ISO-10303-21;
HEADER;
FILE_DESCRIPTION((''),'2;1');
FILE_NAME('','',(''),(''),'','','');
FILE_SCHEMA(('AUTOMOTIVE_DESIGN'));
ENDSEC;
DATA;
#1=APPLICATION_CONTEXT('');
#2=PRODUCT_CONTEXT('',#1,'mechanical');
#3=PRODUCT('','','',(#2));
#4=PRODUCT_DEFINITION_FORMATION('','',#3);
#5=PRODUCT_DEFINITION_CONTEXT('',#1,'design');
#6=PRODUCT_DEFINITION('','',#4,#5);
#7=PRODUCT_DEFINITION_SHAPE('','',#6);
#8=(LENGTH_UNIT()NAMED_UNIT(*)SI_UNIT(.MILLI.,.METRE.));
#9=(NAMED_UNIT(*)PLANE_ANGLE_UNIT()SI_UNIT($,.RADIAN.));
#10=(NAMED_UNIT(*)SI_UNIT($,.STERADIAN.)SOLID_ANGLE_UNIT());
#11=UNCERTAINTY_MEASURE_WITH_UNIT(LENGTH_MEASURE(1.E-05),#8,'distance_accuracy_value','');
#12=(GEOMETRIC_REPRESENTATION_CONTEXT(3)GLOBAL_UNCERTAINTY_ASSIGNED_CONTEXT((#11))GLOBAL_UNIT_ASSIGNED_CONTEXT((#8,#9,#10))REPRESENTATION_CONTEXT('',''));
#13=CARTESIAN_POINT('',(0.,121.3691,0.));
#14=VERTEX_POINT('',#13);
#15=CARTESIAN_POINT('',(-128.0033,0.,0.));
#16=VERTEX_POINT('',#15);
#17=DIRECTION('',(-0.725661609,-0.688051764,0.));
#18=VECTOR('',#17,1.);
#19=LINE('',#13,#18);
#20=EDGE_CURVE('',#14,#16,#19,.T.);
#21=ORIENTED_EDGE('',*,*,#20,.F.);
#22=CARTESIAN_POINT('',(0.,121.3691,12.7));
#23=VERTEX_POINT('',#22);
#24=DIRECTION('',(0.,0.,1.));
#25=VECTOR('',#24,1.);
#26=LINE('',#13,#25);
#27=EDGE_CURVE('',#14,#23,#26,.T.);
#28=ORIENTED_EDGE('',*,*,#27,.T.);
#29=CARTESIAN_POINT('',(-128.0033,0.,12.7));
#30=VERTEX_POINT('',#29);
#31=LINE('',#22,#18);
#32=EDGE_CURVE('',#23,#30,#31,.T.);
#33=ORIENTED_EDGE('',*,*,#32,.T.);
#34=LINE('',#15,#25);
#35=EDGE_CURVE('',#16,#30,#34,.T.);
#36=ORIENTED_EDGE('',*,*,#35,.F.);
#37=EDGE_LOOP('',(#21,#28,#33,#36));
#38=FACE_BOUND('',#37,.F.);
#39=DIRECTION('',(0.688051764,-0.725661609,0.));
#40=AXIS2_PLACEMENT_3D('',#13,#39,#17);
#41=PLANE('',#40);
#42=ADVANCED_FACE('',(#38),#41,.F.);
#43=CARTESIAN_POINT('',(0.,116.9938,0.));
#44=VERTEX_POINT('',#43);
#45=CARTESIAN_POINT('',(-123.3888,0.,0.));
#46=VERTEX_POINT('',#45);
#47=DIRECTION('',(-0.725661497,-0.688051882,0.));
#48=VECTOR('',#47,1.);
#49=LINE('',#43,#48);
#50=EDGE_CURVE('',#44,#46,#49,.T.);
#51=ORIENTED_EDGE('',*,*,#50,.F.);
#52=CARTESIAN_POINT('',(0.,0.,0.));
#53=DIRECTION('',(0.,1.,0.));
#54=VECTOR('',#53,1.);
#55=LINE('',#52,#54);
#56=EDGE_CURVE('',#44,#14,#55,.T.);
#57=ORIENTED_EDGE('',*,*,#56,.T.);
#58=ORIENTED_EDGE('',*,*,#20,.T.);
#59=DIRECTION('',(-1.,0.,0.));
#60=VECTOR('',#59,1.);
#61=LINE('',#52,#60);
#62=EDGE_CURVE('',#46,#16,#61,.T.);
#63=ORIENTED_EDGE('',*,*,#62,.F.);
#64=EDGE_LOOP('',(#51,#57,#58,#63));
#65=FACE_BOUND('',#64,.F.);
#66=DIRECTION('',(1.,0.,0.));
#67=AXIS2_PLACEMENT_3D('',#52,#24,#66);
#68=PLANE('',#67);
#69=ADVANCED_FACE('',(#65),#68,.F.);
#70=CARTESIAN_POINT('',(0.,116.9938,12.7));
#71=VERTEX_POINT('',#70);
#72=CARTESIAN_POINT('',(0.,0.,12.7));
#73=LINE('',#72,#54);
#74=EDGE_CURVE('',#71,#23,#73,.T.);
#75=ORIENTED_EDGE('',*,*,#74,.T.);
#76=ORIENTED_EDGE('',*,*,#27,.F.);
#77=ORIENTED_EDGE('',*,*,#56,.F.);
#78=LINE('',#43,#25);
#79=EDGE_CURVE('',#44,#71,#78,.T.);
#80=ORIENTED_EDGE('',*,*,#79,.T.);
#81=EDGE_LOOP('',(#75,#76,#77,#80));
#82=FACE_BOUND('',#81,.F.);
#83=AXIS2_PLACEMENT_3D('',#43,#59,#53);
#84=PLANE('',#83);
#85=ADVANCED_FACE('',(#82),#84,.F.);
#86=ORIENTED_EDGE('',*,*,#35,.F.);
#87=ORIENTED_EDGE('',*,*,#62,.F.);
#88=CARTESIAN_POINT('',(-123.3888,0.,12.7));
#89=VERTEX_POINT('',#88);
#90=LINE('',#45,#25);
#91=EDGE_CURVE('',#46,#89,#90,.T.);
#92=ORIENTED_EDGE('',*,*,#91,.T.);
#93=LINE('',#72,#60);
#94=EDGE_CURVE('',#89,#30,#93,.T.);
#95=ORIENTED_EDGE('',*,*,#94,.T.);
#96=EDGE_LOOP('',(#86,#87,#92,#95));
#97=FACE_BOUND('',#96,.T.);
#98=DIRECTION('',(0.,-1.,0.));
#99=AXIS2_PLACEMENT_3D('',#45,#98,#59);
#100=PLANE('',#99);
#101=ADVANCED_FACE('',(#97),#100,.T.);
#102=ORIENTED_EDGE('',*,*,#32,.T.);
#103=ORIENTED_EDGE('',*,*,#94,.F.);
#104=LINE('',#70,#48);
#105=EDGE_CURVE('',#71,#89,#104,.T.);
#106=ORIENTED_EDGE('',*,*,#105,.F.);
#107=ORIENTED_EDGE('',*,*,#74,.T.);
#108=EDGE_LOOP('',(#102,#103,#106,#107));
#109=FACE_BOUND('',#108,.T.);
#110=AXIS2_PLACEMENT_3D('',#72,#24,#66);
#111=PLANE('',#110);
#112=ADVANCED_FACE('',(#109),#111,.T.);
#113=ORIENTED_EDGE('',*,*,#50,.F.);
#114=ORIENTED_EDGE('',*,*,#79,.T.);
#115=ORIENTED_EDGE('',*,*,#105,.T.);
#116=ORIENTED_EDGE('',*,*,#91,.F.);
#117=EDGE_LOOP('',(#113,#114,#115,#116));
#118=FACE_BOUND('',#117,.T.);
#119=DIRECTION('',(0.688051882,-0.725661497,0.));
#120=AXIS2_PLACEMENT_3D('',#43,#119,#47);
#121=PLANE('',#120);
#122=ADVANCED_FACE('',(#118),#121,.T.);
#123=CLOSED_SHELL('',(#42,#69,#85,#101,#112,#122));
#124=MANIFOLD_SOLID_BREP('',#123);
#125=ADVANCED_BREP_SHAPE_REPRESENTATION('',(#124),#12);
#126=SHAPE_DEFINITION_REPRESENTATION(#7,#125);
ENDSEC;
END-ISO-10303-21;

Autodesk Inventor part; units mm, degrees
ref_plane "YZ Plane" through (0, 0, 0) normal (1, 0, 0) x (0, 1, 0)
ref_plane "XZ Plane" through (0, 0, 0) normal (0, 1, 0) x (-1, 0, 0)
ref_plane "XY Plane" through (0, 0, 0) normal (0, 0, 1) x (1, 0, 0)
ref_plane "Work Plane1" through (0, 0, 0) normal (0, 0, 1) x (1, 0, 0)
sketch "Sketch1" plane through (0, 0, 0) normal (0, 0, 1) x (1, 0, 0)
  line L0 (0, 0) -> (0, 184.8691) projected
  line L1 (0, 184.8691) -> (-256.0066, 184.8691) projected
  line L2 (-256.0066, 0) -> (-256.0066, 184.8691) projected
  line L3 (0, 0) -> (-256.0066, 0) projected
  line L4 (0, 121.3691) -> (-128.0033, 0)
  line L5 (0, 116.9938) -> (-123.3888, 0)
  dimension "d0" = 128.0033
  dimension "d1" = 63.5
  dimension "d2" = 3.175
extrude "Extrusion1" add sketch "Sketch1" along normal blind 12.7 contours L5 L3 L4 L0
properties part number "frontWall"
